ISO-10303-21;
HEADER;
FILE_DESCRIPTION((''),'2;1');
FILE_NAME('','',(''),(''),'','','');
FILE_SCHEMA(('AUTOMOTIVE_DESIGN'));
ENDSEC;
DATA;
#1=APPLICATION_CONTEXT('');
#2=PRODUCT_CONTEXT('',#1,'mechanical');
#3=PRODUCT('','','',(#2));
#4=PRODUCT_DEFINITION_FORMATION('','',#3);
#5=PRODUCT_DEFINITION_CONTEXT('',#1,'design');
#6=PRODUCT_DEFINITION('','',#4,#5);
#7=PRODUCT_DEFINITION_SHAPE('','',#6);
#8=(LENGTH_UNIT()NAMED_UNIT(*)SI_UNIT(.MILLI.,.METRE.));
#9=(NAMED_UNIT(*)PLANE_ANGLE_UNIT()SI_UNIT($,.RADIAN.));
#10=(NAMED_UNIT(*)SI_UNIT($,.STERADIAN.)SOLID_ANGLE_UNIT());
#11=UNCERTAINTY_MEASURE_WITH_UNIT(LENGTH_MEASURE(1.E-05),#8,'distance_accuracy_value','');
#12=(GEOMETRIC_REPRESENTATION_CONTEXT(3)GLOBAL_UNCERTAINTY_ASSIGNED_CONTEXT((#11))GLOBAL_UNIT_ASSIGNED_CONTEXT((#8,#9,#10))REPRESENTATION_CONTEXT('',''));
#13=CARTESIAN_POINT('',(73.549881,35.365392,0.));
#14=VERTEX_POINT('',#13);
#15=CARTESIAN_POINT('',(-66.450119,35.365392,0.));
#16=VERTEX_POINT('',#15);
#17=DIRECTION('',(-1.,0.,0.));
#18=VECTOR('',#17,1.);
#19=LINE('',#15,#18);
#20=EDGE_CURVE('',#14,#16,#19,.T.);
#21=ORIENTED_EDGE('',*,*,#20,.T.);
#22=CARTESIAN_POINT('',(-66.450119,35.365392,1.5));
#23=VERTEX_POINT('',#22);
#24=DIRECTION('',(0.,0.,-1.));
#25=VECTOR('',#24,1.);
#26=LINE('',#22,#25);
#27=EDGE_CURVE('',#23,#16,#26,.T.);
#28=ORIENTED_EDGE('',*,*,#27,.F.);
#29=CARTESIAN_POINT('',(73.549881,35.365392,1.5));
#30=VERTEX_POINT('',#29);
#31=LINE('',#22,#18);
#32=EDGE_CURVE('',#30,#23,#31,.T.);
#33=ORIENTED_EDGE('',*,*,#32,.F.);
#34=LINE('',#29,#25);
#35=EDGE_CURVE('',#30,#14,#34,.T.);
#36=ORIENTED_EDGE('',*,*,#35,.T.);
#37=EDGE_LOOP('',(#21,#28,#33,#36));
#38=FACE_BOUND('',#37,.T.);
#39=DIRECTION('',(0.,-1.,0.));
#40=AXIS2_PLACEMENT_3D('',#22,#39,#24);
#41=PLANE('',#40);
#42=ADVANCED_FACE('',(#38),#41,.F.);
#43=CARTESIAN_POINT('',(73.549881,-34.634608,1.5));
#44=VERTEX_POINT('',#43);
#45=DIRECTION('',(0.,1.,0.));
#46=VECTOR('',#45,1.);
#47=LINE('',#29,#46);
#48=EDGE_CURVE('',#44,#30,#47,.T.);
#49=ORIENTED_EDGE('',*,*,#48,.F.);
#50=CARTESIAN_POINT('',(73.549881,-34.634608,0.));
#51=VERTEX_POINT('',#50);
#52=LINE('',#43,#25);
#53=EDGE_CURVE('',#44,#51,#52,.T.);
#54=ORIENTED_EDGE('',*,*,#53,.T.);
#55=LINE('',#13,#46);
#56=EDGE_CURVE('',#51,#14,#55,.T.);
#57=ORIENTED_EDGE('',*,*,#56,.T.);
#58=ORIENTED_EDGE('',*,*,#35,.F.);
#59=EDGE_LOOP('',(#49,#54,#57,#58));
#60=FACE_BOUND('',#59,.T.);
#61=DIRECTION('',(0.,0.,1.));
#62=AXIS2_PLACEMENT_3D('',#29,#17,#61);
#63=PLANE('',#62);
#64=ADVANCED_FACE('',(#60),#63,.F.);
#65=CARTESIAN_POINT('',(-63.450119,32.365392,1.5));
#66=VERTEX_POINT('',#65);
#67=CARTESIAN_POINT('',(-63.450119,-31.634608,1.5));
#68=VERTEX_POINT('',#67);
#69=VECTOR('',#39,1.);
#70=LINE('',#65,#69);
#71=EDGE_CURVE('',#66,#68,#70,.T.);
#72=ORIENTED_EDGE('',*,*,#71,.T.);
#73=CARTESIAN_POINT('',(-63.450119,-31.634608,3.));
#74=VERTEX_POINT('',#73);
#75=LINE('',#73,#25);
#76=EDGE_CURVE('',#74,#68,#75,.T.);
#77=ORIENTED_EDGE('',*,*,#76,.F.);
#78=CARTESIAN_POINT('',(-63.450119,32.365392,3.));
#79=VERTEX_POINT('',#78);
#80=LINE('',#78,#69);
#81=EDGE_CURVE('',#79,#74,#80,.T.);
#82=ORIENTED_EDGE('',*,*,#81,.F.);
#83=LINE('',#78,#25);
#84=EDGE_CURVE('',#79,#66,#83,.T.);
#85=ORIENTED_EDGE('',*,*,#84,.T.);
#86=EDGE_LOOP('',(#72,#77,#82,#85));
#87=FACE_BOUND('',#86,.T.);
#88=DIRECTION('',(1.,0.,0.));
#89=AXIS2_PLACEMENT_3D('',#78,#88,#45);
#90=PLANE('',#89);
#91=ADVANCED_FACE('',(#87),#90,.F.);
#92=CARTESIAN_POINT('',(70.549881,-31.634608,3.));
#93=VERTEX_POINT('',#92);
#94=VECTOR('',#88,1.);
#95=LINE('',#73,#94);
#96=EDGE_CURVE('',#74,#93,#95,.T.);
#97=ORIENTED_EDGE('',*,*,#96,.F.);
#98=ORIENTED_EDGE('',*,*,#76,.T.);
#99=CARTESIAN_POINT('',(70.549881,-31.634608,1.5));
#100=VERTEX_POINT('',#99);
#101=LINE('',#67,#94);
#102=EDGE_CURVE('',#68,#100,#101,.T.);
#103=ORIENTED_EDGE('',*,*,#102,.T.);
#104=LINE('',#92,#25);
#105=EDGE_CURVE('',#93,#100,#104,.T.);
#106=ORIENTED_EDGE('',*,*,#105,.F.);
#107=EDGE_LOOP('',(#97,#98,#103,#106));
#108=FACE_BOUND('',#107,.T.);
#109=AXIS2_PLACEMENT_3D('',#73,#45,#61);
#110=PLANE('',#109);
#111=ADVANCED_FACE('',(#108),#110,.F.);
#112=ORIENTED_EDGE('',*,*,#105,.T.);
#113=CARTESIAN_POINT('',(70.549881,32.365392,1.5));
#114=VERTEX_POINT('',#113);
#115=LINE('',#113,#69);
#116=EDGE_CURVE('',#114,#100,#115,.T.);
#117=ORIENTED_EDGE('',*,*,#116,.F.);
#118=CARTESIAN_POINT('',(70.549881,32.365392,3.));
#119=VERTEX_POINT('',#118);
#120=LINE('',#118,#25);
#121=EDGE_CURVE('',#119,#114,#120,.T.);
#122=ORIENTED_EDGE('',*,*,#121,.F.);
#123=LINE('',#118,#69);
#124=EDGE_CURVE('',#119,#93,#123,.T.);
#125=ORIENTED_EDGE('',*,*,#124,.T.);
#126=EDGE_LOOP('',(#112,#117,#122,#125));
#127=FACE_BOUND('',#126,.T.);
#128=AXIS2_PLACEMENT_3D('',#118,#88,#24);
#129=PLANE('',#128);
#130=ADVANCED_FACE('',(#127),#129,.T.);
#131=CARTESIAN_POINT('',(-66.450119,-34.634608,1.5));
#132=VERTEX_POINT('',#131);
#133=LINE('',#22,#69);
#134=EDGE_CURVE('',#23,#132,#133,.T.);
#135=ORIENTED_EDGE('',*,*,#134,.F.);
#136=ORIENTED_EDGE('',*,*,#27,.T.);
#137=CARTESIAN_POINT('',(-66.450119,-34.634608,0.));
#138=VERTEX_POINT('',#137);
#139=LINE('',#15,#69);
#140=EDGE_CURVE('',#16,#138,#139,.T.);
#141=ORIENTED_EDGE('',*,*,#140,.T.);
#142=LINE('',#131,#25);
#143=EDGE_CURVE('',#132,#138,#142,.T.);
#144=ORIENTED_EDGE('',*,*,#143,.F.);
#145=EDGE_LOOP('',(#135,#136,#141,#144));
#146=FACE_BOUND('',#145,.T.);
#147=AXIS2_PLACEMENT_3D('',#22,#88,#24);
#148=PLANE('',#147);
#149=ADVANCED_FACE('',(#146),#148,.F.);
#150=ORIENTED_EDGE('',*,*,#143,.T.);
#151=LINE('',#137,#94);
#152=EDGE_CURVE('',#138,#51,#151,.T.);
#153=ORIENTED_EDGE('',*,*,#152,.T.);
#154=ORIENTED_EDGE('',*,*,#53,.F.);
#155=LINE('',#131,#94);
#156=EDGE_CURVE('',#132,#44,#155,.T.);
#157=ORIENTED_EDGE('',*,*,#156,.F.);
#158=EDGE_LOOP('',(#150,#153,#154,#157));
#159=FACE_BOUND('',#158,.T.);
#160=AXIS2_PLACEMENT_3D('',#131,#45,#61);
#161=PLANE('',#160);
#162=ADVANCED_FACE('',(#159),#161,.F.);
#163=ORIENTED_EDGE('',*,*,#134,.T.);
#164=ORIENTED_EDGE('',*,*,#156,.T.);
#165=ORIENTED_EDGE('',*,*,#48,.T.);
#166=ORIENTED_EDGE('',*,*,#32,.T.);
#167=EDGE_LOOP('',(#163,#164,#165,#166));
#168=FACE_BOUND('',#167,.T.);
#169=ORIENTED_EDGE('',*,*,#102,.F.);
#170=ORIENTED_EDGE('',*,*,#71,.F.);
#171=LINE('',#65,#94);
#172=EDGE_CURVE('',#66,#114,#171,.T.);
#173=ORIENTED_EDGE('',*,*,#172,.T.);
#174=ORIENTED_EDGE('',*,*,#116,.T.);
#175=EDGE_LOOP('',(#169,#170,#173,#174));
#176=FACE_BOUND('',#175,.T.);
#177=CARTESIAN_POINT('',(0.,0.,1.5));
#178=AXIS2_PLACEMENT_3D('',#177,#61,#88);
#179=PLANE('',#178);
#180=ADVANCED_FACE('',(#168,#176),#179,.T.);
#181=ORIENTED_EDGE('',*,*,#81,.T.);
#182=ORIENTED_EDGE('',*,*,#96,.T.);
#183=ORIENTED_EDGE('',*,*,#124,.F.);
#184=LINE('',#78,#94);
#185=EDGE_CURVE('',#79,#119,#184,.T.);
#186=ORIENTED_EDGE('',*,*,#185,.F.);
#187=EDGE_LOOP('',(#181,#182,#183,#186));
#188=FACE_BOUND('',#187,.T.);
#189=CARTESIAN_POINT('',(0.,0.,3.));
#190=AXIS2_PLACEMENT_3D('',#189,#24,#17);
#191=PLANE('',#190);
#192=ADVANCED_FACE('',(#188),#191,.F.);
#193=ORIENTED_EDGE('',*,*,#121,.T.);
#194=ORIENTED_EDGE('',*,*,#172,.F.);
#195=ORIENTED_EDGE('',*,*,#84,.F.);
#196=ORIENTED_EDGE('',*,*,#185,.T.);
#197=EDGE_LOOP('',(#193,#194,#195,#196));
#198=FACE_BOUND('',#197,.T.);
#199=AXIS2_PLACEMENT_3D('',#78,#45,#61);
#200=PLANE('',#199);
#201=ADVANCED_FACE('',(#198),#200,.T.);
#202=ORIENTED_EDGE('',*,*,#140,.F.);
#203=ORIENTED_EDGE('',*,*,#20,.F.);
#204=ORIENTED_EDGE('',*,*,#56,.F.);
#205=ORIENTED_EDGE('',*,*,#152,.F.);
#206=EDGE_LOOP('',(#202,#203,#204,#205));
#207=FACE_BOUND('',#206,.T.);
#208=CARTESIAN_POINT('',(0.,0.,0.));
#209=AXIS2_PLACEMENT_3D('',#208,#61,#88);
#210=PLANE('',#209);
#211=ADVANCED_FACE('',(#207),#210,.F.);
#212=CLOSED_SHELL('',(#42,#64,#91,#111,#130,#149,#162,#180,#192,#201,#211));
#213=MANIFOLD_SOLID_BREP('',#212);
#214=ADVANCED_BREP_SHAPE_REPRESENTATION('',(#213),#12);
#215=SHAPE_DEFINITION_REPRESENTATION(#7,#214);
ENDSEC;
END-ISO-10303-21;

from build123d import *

# Parameters (mm, degrees)
SKETCH_1_W      = 140
SKETCH_1_H      = 70
EXTRUDE_1_DEPTH = 1.5
SKETCH_2_W      = 134
SKETCH_2_H      = 64
EXTRUDE_2_DEPTH = 1.5


with BuildPart() as part:
    # Эскиз1 → Бобышка-Вытянуть1 (new body)
    with BuildSketch(Plane.XY):
        with Locations((3.549880526, 0.365392274)):
            Rectangle(SKETCH_1_W, SKETCH_1_H)
    extrude(amount=EXTRUDE_1_DEPTH)

    # Эскиз2 → Бобышка-Вытянуть2 (add)
    with BuildSketch(Plane.XY.offset(1.5)):
        with Locations((3.549880526, 0.365392274)):
            Rectangle(SKETCH_2_W, SKETCH_2_H)
    extrude(amount=EXTRUDE_2_DEPTH)


solid = part.part
